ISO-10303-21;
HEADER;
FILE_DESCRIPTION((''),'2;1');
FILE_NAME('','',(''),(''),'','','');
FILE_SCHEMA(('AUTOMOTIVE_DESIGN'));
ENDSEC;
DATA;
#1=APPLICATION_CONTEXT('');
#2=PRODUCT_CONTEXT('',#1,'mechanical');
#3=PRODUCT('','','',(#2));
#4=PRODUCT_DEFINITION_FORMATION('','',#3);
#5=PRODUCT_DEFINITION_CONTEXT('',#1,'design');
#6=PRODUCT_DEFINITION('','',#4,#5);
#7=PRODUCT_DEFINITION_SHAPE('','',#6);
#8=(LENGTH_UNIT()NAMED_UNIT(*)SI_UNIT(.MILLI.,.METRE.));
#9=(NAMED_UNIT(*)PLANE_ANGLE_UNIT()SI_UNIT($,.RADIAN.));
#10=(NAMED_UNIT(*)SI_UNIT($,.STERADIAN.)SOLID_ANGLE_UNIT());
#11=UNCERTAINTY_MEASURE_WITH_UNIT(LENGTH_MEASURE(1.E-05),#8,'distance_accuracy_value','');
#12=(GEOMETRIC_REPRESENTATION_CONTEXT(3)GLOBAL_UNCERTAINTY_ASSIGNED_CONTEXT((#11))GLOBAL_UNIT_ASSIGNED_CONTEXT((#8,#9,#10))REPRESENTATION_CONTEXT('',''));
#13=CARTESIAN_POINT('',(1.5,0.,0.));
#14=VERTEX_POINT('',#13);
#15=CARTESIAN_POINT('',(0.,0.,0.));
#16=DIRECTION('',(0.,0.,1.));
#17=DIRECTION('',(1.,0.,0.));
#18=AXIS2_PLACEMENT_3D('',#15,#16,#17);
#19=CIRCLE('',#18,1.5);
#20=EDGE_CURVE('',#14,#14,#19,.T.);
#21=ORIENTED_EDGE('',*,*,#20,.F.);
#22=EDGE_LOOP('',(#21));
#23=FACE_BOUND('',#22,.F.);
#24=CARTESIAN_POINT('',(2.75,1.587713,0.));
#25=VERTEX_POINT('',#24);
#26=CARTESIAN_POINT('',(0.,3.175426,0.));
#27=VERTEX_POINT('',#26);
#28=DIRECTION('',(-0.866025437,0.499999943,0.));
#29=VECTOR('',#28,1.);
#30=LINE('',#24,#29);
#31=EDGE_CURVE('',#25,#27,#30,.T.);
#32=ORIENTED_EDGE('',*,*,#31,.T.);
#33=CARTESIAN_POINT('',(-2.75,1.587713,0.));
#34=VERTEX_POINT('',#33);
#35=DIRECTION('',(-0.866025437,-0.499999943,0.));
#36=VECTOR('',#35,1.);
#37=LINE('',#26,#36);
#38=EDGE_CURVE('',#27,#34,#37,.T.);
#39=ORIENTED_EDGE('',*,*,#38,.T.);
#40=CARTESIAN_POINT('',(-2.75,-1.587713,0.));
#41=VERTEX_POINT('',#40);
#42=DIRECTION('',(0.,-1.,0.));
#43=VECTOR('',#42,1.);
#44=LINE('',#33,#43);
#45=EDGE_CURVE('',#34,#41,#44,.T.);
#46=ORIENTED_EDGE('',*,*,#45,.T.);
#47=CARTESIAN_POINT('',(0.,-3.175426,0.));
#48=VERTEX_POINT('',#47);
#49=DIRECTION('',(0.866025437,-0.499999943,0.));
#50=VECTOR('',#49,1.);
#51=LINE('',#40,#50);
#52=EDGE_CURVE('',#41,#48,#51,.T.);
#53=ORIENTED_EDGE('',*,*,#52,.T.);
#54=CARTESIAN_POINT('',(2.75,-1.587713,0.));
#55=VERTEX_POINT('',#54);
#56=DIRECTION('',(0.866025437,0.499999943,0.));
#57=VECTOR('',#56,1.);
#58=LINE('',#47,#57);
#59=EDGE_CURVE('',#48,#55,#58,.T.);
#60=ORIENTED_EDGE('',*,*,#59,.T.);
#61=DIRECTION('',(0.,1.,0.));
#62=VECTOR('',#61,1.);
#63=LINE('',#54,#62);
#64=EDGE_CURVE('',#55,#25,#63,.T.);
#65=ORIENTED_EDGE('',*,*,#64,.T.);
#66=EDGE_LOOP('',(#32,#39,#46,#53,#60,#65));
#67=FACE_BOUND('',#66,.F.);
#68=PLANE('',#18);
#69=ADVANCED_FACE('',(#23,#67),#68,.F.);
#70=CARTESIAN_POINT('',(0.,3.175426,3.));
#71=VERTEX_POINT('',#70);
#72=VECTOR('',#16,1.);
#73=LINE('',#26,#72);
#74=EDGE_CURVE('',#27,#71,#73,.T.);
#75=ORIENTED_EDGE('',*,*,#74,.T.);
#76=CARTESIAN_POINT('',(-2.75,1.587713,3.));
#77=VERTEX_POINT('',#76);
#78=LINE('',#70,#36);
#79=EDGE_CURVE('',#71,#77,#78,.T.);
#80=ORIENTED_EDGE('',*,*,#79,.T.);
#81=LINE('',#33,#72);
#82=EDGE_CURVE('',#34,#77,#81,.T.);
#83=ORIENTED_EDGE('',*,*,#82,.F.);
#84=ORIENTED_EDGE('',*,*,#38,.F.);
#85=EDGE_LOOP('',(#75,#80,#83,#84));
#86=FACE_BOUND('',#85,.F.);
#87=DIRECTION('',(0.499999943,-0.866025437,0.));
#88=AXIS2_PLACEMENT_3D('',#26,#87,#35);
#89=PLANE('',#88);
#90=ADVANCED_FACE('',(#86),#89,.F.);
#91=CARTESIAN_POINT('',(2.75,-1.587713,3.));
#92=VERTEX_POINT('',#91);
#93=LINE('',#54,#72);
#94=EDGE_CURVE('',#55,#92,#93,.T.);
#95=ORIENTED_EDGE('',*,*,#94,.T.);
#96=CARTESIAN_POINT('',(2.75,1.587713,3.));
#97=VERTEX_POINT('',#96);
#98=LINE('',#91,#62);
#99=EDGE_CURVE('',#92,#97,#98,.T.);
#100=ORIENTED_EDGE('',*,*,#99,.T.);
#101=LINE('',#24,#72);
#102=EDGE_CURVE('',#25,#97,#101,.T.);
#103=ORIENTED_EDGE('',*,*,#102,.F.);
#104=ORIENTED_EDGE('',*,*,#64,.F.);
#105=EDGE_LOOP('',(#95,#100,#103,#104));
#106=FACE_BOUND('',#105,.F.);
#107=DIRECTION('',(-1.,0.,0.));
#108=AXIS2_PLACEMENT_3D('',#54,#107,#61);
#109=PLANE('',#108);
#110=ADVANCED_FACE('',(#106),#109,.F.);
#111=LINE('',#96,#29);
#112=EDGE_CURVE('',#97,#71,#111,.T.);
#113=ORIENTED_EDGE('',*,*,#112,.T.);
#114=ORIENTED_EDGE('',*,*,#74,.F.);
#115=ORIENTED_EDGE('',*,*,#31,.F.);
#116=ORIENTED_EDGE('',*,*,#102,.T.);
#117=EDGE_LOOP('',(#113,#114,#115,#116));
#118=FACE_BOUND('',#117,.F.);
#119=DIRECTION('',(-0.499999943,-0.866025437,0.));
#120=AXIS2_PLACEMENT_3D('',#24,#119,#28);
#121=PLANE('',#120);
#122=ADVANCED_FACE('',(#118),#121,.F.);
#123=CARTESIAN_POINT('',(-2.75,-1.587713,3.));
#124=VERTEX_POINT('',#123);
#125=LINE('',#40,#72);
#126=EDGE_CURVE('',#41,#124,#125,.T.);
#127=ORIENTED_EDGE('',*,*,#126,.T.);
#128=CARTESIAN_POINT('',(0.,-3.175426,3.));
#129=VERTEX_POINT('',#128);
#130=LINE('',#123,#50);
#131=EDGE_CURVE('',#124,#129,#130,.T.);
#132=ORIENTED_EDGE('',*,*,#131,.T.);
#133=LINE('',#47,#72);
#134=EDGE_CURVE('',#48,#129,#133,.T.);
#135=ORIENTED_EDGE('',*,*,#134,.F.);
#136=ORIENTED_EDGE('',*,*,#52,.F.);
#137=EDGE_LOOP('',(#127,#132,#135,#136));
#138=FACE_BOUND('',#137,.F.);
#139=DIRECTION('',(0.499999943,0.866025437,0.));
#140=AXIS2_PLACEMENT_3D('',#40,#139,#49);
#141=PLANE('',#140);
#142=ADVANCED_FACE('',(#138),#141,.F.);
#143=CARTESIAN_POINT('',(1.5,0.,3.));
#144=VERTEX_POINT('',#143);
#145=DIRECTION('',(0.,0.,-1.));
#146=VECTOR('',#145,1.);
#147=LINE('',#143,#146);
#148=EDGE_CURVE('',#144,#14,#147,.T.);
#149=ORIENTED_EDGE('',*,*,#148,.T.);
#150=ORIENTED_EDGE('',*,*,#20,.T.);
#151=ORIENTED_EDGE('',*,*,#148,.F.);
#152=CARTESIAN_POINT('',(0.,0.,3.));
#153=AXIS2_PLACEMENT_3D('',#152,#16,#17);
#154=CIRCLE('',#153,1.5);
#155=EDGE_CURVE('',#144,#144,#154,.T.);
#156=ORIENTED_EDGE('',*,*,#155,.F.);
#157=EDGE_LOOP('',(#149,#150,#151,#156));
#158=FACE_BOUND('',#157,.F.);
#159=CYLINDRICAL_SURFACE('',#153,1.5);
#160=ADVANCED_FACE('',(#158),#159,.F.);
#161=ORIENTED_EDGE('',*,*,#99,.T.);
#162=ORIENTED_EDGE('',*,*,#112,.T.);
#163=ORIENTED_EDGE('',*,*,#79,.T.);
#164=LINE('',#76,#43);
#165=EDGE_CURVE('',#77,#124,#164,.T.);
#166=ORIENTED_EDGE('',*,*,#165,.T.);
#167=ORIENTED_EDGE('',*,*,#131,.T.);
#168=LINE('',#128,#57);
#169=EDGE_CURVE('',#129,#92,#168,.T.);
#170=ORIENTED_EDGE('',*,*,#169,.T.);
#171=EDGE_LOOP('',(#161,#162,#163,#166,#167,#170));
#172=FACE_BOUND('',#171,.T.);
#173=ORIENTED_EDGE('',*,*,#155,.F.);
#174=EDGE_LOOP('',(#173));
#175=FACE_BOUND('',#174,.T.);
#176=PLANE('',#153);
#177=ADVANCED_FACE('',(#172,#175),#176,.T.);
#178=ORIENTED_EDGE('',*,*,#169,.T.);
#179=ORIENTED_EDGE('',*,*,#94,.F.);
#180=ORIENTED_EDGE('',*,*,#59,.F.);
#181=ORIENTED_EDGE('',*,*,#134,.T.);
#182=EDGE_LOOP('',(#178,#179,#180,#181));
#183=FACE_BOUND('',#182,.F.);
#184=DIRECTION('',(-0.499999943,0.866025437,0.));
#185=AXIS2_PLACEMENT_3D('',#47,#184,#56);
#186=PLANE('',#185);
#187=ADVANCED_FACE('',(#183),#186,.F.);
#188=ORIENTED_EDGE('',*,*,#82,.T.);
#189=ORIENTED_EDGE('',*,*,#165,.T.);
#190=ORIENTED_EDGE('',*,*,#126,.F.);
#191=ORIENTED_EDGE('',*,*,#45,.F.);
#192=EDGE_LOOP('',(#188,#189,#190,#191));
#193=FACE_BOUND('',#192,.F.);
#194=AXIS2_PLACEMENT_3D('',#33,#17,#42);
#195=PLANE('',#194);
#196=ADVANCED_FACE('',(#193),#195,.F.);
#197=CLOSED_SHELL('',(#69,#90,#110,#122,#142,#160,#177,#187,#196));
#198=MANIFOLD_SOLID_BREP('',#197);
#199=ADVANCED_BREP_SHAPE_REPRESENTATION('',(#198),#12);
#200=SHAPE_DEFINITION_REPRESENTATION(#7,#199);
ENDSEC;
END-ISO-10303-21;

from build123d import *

# Parameters (mm, degrees)
F1_DEPTH = 3
F2_R     = 1.5
F3_DEPTH = 3.001


with BuildPart() as f1:
    # F0 (on Top) → F1 (new body)
    with BuildSketch(Plane.XY):
        Polygon((0, 3.175426), (-2.75, 1.587713), (-2.75, -1.587713), (0, -3.175426), (2.75, -1.587713), (2.75, 1.587713), align=None)
    extrude(amount=F1_DEPTH)

    # F2 (on face) → F3 (cut, through all)
    with BuildSketch(Plane.XY.offset(3)):
        Circle(F2_R)
    extrude(amount=-F3_DEPTH, mode=Mode.SUBTRACT)


solid = f1.part
